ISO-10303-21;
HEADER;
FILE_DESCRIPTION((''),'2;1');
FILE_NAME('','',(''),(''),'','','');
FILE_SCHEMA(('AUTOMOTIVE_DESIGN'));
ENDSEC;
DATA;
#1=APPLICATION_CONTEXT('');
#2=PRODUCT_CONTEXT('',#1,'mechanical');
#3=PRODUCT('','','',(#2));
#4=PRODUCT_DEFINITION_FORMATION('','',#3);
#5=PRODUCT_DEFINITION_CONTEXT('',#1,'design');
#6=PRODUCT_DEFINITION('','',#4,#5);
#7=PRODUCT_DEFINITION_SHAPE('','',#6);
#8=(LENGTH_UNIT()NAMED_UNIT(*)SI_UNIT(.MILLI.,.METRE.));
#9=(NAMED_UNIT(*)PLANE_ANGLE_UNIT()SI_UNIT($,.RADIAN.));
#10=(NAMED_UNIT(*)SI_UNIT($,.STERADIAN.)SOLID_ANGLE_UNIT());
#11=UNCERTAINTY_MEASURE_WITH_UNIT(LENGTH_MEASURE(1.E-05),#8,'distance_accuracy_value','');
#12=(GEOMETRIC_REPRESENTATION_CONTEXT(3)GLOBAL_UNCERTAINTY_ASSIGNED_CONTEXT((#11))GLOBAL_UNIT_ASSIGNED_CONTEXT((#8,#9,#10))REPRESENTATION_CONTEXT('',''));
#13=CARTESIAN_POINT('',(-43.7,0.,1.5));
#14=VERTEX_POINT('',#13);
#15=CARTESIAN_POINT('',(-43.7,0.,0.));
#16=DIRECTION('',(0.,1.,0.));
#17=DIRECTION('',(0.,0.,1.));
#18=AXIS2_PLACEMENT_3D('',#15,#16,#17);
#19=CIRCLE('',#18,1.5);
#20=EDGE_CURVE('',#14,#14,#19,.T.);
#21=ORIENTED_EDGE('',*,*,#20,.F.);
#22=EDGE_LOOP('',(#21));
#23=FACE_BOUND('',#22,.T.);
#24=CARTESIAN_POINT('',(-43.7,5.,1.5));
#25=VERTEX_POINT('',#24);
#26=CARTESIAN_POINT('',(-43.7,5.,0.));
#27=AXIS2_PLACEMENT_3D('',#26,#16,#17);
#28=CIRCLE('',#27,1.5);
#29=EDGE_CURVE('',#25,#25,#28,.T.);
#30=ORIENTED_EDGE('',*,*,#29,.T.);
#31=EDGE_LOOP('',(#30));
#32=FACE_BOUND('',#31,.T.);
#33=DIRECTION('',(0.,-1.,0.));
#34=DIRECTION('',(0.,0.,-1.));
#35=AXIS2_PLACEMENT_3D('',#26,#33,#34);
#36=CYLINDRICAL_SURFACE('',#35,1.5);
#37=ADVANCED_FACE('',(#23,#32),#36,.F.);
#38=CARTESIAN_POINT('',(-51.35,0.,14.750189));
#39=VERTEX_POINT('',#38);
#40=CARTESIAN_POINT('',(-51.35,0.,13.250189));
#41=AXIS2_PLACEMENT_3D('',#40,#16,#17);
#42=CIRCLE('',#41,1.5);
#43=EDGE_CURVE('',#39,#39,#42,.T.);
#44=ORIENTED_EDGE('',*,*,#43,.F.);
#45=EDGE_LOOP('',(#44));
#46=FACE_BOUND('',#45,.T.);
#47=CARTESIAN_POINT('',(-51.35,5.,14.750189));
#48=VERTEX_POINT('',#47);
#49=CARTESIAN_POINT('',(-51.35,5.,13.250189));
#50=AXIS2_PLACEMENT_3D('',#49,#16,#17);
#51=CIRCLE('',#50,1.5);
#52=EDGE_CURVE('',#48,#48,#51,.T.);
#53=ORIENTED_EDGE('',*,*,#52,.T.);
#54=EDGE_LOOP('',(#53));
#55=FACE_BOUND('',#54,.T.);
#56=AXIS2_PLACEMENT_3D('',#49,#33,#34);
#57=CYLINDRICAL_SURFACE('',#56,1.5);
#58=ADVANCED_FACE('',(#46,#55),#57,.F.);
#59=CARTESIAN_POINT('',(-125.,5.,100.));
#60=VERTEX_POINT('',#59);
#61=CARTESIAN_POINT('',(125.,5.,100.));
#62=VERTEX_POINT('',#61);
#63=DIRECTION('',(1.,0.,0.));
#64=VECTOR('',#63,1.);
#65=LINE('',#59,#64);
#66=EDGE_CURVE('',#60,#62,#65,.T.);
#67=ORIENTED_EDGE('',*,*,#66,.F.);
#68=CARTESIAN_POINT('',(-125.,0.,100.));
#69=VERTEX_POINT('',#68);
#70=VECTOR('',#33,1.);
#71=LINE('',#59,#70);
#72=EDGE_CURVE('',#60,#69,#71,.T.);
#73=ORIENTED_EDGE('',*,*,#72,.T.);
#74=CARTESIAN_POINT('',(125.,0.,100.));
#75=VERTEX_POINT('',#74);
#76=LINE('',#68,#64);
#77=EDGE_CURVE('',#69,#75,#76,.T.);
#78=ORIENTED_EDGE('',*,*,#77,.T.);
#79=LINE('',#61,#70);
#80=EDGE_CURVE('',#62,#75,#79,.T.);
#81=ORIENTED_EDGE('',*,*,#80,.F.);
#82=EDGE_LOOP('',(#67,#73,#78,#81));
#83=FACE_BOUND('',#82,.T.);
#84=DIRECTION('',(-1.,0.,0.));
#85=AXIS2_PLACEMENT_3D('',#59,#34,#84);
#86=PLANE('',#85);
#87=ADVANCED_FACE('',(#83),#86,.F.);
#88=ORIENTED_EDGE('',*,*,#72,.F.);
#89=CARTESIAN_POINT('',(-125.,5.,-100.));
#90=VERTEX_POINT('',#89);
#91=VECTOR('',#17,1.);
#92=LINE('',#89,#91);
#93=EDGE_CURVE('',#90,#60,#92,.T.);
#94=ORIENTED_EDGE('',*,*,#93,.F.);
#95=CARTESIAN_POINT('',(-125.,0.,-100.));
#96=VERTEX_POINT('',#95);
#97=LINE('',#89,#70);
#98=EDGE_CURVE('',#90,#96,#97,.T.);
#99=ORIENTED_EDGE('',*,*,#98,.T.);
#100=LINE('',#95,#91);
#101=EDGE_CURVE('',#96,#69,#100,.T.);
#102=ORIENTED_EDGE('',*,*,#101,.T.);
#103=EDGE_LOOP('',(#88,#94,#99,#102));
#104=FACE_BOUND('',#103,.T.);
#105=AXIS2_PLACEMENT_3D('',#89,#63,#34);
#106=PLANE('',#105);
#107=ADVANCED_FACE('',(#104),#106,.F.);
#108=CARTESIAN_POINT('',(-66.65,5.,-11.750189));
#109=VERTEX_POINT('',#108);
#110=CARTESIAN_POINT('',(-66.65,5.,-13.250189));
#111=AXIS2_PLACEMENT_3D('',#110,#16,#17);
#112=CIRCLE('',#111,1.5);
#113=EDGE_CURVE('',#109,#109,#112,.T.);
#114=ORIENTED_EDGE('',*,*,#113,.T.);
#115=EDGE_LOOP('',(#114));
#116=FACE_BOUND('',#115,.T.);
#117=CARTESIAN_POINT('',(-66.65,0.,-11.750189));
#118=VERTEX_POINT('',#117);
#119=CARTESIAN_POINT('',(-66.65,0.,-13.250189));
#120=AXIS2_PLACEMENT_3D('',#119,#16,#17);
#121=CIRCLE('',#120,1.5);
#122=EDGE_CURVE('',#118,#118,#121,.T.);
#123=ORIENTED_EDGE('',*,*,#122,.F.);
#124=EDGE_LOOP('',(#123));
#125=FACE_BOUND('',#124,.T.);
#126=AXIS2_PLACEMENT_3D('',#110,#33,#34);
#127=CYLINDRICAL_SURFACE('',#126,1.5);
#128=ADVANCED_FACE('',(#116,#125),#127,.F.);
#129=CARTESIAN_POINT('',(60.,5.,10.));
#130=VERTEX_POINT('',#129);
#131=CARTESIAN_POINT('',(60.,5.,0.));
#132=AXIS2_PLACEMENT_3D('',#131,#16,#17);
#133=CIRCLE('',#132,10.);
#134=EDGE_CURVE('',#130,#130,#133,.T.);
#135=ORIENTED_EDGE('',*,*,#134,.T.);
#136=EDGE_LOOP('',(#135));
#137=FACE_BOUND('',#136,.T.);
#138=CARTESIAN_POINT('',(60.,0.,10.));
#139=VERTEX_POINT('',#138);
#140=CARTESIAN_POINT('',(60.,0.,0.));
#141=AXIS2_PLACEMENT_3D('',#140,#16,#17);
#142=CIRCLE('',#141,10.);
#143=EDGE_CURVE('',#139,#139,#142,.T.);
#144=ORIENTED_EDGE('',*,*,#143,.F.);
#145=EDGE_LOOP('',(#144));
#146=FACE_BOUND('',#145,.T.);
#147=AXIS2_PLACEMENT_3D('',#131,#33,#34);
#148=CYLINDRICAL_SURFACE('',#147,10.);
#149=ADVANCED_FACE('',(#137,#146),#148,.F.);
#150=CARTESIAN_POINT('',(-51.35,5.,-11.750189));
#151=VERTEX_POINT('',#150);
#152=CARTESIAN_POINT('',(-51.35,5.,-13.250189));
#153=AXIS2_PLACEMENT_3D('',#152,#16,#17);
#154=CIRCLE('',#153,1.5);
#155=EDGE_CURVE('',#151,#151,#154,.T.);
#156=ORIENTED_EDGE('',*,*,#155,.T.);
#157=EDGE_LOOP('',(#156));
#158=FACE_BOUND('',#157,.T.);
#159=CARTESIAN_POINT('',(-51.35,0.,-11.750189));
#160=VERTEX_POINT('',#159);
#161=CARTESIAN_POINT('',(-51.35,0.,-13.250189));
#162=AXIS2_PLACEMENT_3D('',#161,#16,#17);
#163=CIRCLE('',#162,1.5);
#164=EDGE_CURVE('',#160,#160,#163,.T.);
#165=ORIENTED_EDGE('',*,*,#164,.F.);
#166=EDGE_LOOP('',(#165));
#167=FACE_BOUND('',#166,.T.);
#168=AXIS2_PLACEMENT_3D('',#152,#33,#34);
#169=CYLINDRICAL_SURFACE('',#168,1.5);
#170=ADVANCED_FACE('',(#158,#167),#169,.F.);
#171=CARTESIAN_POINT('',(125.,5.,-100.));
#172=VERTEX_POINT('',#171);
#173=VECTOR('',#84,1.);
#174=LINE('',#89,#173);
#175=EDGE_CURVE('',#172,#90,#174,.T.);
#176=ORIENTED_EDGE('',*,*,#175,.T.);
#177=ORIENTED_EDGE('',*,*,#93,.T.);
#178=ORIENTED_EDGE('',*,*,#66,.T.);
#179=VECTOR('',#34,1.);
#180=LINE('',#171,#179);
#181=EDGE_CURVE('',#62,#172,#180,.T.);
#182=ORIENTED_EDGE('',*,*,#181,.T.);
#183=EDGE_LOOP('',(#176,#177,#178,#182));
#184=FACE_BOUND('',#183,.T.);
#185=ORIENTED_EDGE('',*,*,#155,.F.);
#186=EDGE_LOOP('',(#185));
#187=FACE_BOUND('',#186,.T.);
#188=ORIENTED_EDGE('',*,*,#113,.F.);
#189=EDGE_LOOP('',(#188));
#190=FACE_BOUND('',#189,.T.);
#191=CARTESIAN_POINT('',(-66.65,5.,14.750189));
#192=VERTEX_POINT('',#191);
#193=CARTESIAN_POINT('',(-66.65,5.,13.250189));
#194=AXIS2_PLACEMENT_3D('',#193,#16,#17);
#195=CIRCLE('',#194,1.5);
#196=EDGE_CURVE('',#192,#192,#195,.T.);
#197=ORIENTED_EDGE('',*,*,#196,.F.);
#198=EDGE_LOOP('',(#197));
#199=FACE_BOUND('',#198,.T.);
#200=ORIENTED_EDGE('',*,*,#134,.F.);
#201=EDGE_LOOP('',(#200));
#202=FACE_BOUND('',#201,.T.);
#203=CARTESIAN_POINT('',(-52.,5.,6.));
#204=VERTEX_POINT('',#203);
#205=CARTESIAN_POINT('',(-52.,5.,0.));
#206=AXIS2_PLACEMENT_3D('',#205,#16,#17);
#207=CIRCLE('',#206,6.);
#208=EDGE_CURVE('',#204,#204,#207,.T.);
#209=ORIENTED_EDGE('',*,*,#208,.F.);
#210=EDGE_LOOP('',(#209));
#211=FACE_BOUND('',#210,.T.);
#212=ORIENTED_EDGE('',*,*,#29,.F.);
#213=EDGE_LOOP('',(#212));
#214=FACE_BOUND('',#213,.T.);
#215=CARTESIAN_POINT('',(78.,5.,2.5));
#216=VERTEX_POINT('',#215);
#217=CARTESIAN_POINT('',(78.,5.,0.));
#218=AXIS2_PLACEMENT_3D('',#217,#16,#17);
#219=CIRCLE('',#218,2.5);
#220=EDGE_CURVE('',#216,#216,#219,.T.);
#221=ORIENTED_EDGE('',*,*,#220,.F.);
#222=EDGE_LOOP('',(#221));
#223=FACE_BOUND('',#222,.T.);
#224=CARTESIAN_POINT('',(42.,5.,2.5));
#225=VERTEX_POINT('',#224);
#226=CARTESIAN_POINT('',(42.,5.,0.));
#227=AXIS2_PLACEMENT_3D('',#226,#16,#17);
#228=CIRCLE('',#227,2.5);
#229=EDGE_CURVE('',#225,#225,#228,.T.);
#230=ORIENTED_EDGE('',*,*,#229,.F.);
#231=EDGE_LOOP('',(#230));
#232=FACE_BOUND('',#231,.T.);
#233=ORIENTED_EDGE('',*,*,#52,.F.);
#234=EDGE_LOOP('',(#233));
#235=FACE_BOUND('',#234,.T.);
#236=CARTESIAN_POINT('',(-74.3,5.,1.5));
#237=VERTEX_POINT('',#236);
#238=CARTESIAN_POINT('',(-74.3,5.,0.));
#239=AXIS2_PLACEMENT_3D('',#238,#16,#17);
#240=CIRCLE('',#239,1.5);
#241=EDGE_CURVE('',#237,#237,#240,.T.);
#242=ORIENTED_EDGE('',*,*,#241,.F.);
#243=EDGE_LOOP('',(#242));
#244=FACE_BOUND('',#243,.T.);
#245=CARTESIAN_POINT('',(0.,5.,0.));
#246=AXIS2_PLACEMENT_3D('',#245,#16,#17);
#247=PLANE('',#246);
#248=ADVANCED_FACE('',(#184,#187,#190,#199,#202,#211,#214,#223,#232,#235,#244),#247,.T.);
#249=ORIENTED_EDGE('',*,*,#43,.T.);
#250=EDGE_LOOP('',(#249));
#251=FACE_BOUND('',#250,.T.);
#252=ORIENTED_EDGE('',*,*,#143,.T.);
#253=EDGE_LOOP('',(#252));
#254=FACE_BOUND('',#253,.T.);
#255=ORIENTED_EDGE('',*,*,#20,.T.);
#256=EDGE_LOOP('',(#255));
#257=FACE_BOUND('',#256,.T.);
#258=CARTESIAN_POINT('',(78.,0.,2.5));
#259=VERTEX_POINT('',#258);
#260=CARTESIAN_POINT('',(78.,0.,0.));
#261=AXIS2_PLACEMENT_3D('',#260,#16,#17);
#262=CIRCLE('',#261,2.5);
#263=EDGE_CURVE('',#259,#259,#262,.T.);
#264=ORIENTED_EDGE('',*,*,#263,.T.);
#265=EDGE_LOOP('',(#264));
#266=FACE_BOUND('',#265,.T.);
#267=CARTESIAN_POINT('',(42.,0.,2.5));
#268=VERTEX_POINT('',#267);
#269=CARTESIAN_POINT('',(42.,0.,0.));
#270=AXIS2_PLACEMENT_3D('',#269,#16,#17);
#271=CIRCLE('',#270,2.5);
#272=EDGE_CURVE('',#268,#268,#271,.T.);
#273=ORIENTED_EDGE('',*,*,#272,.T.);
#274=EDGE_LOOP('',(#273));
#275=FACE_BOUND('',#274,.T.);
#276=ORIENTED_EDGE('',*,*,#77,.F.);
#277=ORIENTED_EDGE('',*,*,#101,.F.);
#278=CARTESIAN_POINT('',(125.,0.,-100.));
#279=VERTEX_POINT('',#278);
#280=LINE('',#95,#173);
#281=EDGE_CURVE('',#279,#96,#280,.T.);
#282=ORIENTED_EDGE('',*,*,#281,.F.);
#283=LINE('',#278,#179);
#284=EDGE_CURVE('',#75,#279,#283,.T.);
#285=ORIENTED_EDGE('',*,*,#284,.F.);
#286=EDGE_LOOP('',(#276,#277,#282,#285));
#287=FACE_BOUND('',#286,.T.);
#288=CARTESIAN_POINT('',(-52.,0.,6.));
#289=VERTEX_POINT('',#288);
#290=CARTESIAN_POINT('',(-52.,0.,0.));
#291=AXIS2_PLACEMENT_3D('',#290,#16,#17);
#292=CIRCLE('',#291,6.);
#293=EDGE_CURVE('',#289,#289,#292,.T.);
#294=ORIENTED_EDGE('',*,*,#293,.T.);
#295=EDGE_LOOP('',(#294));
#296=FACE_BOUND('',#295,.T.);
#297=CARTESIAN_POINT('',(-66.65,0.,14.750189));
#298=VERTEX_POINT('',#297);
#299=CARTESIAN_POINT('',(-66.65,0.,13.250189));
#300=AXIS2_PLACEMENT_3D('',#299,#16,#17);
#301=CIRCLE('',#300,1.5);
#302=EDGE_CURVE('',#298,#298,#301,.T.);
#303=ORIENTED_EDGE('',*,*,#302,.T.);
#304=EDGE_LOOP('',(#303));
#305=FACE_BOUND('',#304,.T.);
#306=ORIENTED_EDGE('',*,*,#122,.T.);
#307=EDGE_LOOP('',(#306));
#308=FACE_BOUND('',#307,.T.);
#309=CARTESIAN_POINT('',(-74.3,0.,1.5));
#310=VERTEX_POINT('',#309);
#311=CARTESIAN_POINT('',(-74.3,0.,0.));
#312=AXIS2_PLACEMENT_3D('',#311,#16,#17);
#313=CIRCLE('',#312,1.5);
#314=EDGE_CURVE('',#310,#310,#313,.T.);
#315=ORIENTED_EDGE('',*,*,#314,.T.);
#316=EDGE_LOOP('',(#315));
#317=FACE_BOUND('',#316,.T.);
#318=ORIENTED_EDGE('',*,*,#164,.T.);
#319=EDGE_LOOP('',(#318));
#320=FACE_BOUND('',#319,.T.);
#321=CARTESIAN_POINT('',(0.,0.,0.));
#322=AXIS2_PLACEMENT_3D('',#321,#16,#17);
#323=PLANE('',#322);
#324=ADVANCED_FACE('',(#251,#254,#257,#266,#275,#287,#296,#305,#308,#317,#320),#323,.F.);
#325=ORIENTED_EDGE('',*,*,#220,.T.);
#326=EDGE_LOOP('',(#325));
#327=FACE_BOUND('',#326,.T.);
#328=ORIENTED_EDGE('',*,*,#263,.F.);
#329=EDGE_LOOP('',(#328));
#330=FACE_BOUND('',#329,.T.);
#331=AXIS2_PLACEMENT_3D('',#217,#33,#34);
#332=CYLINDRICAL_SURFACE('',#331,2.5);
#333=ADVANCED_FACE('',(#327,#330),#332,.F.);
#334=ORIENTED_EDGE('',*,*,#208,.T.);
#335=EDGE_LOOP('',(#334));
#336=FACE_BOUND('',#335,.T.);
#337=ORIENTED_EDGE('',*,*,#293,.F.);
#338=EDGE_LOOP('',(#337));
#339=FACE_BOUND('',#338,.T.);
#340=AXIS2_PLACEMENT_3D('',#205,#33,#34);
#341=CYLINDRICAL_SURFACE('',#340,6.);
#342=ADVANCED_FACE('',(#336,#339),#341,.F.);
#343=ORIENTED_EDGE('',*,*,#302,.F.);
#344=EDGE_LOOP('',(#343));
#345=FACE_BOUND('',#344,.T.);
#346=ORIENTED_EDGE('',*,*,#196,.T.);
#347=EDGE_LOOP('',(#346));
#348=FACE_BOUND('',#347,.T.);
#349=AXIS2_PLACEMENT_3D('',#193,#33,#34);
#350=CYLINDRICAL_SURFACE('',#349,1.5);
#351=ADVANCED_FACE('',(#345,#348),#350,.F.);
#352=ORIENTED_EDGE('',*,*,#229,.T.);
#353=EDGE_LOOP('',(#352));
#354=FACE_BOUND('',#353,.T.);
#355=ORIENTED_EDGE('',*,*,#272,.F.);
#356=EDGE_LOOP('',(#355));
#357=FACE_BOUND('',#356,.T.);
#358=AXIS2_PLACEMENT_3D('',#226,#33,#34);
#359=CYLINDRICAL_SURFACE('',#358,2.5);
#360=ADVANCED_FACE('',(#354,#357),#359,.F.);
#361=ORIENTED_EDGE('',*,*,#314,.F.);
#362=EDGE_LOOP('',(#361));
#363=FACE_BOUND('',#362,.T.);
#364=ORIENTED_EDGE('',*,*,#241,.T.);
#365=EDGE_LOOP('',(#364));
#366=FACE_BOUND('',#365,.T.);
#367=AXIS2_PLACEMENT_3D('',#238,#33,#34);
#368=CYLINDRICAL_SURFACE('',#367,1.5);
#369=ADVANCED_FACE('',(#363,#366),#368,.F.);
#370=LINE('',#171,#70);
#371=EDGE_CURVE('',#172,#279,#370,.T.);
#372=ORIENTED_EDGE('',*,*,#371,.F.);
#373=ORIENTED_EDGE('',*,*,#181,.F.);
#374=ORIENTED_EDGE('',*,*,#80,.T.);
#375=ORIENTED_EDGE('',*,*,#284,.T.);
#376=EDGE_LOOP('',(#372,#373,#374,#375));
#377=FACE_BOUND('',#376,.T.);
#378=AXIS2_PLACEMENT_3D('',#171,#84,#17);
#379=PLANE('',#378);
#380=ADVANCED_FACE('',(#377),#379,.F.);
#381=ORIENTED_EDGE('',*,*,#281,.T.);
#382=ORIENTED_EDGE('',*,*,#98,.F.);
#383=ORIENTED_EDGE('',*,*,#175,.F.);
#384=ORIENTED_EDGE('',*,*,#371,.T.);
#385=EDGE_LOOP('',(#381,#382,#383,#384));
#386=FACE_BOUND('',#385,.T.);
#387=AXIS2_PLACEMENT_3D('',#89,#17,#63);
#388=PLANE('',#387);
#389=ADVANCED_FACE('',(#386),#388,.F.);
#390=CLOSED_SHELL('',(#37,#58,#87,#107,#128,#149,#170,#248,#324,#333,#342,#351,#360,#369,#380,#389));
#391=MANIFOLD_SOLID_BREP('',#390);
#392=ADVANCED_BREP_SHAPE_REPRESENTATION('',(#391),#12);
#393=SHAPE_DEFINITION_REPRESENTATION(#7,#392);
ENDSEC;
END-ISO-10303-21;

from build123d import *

# Parameters (mm, degrees)
SKETCH1_W           = 250
SKETCH1_H           = 200
SKETCH1_R           = 10
SKETCH1_R_2         = 2.5
SKETCH1_R_3         = 1.5
SKETCH1_R_4         = 6
BOSS_EXTRUDE1_DEPTH = 5


with BuildPart() as part:
    # Sketch1 → Boss-Extrude1 (new body)
    with BuildSketch(Plane(origin=(0, 0, 0), x_dir=(1, 0, 0), z_dir=(0, 1, 0))):
        Rectangle(SKETCH1_W, SKETCH1_H)
        with Locations(Location((60, 0, 0), (0, 0, 270))):
            Circle(SKETCH1_R, mode=Mode.SUBTRACT)
        with Locations(Location((78, 0, 0), (0, 0, 270))):
            Circle(SKETCH1_R_2, mode=Mode.SUBTRACT)
        with Locations(Location((42, 0, 0), (0, 0, 270))):
            Circle(SKETCH1_R_2, mode=Mode.SUBTRACT)
        with Locations(Location((-43.7, 0, 0), (0, 0, 270))):
            Circle(SKETCH1_R_3, mode=Mode.SUBTRACT)
        with Locations(Location((-51.35, -13.250188678, 0), (0, 0, 270))):
            Circle(SKETCH1_R_3, mode=Mode.SUBTRACT)
        with Locations(Location((-66.65, -13.250188678, 0), (0, 0, 270))):
            Circle(SKETCH1_R_3, mode=Mode.SUBTRACT)
        with Locations(Location((-74.3, 0, 0), (0, 0, 270))):
            Circle(SKETCH1_R_3, mode=Mode.SUBTRACT)
        with Locations(Location((-66.65, 13.250188678, 0), (0, 0, 270))):
            Circle(SKETCH1_R_3, mode=Mode.SUBTRACT)
        with Locations(Location((-51.35, 13.250188678, 0), (0, 0, 270))):
            Circle(SKETCH1_R_3, mode=Mode.SUBTRACT)
        with Locations(Location((-52, 0, 0), (0, 0, 270))):
            Circle(SKETCH1_R_4, mode=Mode.SUBTRACT)
    extrude(amount=BOSS_EXTRUDE1_DEPTH)


solid = part.part
